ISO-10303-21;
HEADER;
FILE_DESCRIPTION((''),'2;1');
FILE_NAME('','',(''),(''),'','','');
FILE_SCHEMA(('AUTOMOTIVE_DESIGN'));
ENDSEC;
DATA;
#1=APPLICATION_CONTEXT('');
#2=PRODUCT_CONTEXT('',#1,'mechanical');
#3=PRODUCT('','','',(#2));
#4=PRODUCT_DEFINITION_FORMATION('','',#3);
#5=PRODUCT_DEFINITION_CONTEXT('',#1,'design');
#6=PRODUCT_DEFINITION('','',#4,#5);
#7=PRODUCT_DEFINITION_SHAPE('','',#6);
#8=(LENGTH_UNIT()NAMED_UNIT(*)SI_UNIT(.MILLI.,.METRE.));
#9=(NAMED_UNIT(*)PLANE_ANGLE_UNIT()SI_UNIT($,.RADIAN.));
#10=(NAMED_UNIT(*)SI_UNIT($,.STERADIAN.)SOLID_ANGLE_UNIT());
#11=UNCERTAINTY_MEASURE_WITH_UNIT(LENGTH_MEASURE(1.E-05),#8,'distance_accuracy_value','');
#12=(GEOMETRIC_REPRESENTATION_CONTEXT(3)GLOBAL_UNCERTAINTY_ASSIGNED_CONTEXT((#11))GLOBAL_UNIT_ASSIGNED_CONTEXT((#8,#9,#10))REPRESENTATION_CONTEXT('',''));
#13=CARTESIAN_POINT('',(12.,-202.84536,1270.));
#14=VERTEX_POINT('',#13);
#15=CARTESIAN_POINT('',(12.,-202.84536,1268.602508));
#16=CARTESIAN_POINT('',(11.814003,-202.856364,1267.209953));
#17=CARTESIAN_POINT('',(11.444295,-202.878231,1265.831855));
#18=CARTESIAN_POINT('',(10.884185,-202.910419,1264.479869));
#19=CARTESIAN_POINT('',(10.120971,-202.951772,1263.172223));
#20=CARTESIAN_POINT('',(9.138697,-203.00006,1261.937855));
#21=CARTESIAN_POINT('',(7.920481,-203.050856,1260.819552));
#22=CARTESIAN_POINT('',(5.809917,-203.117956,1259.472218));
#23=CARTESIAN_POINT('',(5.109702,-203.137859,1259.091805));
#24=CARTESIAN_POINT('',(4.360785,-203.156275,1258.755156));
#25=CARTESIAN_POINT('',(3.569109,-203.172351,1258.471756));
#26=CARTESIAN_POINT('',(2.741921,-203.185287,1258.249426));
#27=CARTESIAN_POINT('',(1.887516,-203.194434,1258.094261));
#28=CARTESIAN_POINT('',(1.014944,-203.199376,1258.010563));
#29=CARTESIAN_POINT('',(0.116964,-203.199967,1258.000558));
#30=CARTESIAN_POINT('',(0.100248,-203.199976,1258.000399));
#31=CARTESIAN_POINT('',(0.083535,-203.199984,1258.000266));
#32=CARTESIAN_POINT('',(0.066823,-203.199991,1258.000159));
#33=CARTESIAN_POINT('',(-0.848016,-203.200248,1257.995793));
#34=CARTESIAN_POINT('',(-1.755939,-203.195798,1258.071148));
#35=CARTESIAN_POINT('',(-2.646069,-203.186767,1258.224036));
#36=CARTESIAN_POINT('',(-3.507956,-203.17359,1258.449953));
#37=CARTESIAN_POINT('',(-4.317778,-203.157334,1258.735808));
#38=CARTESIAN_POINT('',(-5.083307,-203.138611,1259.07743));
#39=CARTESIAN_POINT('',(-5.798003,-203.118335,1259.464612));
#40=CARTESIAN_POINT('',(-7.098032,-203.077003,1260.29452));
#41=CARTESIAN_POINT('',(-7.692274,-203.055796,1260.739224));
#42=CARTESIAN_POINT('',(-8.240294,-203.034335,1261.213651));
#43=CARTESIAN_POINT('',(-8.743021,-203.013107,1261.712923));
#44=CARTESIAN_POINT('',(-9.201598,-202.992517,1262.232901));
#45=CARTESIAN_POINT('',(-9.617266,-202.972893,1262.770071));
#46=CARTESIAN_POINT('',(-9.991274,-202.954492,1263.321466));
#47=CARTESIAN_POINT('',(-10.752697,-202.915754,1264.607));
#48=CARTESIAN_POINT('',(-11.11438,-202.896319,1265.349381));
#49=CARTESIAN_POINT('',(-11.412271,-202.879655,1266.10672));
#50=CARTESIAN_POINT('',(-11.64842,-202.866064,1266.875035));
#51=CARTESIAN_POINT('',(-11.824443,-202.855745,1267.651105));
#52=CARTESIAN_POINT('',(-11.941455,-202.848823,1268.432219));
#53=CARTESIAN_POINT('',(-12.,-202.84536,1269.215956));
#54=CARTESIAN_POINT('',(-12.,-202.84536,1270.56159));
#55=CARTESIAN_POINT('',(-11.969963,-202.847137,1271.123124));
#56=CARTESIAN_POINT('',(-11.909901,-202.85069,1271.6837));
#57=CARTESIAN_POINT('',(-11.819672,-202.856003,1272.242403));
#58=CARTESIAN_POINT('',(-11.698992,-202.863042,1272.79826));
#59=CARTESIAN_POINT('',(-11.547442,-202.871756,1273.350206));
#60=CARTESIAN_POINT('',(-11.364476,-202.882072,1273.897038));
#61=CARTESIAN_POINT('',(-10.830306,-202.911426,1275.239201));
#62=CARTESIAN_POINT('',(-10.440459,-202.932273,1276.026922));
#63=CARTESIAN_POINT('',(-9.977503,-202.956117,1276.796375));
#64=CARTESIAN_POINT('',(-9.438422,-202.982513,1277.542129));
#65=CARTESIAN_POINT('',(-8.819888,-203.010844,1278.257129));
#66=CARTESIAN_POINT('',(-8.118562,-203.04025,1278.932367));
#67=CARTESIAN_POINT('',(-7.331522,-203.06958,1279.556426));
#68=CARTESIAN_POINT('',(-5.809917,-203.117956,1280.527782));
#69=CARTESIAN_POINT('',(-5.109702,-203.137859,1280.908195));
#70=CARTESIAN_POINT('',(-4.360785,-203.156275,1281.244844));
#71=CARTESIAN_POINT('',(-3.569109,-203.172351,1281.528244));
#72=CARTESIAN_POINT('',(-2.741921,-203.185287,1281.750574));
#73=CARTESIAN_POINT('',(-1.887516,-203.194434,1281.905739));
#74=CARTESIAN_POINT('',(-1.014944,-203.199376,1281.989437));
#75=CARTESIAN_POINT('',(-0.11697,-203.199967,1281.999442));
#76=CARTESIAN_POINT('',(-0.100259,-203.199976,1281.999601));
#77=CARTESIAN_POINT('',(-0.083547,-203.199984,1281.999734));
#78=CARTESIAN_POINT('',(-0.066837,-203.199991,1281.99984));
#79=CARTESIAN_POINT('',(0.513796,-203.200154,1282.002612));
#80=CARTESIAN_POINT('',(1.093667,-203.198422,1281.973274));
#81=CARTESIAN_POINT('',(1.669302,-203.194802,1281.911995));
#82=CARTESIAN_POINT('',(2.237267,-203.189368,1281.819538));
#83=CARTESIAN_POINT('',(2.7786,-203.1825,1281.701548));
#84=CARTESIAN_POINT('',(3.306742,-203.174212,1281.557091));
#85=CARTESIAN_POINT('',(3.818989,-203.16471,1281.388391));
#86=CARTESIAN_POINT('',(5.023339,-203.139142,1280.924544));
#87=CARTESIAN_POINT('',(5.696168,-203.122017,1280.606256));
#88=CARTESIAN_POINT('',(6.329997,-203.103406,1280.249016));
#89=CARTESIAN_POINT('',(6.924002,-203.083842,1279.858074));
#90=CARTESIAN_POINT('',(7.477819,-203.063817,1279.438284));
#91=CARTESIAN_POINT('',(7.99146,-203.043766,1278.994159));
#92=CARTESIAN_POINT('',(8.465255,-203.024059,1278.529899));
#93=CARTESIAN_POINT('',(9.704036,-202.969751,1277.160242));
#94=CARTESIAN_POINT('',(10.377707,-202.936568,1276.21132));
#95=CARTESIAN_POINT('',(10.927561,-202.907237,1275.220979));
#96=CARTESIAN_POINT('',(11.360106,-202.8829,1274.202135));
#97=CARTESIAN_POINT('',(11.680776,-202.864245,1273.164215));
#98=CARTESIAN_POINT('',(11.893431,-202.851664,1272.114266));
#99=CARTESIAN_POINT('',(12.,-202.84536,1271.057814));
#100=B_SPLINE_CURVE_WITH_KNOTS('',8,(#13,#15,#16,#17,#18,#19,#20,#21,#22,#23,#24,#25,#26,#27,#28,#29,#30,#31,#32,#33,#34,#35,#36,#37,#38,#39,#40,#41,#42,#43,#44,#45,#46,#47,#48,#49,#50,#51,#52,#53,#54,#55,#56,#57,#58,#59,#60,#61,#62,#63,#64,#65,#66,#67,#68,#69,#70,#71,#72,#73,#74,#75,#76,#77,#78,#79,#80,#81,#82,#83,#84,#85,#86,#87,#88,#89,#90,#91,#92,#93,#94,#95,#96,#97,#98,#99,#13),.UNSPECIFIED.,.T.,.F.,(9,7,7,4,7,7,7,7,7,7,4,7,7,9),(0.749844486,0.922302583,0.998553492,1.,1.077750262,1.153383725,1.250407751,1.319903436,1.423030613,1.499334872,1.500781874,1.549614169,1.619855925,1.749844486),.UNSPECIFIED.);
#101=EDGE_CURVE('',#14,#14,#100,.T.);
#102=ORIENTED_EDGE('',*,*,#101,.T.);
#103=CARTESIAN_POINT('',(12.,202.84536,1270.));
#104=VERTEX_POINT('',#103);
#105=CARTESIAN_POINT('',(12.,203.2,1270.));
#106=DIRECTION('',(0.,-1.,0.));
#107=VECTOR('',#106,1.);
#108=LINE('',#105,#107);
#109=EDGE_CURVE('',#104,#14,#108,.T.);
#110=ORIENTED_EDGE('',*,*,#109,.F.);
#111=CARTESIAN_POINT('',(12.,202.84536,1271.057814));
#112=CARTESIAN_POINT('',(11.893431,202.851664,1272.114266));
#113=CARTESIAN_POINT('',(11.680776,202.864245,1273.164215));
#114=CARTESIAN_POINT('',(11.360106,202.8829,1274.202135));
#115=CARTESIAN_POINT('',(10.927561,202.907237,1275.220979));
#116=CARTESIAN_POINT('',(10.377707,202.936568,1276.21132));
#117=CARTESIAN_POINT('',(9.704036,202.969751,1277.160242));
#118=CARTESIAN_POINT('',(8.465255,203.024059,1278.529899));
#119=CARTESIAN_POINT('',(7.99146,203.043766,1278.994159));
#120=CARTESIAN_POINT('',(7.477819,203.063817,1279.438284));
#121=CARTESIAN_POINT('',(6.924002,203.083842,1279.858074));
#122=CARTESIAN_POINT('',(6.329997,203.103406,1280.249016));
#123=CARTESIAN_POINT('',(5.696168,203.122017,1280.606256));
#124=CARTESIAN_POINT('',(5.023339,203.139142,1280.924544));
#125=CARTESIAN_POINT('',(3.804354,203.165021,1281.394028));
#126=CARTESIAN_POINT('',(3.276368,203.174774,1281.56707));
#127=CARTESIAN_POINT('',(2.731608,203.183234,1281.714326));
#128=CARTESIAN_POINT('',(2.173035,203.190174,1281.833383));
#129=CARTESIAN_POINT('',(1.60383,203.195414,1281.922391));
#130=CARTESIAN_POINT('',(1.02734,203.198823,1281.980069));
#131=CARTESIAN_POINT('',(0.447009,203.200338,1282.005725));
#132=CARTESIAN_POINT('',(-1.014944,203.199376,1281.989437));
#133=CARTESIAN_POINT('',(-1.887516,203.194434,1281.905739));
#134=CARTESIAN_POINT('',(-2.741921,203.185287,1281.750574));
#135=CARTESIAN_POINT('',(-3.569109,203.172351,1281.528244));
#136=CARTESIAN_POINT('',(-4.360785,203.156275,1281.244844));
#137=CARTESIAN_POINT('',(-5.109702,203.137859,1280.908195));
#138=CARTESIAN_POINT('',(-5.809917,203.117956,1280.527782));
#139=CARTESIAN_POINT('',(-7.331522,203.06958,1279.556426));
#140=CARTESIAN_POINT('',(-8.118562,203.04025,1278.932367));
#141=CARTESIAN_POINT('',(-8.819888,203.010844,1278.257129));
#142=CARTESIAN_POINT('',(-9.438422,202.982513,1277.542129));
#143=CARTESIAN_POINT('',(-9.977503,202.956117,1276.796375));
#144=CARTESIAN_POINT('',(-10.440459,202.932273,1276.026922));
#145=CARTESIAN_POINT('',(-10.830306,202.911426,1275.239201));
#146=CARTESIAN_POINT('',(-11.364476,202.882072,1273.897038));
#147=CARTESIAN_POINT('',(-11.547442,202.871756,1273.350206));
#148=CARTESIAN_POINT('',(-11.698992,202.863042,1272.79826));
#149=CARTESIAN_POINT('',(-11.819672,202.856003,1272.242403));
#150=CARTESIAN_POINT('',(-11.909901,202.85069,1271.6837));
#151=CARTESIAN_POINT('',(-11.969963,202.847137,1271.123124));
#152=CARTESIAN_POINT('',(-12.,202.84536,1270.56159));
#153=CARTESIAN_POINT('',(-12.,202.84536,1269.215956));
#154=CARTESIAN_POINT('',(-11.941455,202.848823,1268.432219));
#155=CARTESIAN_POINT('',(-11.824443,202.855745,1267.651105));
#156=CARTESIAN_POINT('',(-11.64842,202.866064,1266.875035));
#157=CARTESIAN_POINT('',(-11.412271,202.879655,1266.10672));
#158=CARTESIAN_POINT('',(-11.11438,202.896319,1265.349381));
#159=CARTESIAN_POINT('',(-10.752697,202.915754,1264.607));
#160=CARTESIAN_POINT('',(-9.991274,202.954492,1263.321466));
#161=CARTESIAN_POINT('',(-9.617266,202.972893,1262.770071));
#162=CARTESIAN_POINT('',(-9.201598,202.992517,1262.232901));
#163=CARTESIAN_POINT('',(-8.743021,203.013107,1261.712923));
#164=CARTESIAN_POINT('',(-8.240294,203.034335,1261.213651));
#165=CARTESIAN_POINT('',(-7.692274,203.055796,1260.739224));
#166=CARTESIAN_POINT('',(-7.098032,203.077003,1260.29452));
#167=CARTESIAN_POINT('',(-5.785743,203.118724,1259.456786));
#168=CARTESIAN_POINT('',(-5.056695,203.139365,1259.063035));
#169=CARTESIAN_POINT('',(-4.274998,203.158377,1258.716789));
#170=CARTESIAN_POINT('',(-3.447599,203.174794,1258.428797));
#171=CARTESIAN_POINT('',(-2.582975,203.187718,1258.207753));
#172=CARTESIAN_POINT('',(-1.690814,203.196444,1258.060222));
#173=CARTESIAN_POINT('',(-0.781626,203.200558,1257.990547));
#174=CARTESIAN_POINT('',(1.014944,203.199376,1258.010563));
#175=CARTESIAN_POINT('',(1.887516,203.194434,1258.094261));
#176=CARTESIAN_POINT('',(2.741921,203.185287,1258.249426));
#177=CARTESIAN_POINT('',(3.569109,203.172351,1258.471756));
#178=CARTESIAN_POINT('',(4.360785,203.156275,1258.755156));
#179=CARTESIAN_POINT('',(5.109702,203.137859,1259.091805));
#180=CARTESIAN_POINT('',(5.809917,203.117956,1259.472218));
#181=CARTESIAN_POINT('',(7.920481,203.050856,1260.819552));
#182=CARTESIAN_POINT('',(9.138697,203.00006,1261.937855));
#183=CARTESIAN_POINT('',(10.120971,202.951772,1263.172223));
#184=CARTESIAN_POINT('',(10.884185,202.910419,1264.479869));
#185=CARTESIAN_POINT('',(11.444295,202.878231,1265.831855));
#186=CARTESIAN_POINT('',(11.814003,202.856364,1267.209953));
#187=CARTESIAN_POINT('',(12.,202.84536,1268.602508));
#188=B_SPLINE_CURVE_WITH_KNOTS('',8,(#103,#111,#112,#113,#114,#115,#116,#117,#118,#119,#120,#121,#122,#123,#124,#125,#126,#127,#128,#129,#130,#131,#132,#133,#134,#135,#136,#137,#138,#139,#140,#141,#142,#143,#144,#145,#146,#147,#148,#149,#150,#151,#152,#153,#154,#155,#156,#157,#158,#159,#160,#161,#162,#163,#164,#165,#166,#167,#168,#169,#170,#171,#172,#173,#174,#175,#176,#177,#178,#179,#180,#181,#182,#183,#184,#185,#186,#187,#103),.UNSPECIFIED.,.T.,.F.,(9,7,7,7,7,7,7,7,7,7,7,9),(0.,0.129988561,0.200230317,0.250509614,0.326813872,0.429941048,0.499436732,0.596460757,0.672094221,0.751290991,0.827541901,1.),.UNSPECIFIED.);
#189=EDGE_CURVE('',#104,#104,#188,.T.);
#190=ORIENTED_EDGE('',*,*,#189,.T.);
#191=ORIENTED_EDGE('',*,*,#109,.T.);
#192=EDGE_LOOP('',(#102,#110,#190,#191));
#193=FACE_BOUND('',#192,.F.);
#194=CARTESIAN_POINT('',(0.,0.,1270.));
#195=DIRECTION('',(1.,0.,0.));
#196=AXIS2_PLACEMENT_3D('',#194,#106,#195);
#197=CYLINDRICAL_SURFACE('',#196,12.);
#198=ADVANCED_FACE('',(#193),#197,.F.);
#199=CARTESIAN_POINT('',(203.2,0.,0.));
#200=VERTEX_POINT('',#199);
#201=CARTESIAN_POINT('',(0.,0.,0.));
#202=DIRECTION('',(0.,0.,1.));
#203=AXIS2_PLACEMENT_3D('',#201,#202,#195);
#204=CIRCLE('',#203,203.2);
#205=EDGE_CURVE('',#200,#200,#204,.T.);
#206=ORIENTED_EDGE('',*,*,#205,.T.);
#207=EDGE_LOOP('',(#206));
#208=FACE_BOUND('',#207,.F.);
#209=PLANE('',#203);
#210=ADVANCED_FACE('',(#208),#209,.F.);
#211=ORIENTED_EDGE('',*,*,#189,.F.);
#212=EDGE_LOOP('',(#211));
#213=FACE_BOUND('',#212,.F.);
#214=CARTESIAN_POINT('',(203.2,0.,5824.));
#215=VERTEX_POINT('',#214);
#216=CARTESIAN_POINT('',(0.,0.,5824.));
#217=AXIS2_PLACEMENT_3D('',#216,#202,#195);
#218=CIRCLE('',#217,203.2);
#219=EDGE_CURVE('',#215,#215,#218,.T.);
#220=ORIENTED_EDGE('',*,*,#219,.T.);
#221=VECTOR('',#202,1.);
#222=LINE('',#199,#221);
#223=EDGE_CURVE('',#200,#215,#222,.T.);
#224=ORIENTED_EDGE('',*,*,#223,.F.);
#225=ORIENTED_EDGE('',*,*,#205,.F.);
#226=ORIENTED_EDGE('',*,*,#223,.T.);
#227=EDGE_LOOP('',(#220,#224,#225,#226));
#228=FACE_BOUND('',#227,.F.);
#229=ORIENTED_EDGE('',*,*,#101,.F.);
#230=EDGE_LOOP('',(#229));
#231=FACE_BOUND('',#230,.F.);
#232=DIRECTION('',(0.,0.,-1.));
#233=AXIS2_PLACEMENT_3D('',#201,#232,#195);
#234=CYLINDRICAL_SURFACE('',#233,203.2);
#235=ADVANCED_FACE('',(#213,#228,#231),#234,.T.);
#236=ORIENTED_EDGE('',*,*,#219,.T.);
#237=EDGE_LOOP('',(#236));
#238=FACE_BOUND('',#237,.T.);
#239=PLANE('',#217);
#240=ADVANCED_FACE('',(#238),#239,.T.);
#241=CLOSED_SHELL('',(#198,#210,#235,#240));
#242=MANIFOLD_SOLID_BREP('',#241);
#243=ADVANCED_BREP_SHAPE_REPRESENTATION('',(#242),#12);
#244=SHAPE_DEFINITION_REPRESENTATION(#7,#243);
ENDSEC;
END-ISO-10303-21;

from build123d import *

# Parameters (mm, degrees)
F0_R     = 203.2
F1_DEPTH = 5824
F2_R     = 12
F3_DEPTH = 203.2


with BuildPart() as f1:
    # F0 (on Top) → F1 (new body)
    with BuildSketch(Plane.XY):
        Circle(F0_R)
    extrude(amount=F1_DEPTH)

    # F2 (on Front) → F3 (cut, symmetric)
    with BuildSketch(Plane.XZ):
        with Locations((0, 1270)):
            Circle(F2_R)
    extrude(amount=F3_DEPTH, both=True, mode=Mode.SUBTRACT)


solid = f1.part
